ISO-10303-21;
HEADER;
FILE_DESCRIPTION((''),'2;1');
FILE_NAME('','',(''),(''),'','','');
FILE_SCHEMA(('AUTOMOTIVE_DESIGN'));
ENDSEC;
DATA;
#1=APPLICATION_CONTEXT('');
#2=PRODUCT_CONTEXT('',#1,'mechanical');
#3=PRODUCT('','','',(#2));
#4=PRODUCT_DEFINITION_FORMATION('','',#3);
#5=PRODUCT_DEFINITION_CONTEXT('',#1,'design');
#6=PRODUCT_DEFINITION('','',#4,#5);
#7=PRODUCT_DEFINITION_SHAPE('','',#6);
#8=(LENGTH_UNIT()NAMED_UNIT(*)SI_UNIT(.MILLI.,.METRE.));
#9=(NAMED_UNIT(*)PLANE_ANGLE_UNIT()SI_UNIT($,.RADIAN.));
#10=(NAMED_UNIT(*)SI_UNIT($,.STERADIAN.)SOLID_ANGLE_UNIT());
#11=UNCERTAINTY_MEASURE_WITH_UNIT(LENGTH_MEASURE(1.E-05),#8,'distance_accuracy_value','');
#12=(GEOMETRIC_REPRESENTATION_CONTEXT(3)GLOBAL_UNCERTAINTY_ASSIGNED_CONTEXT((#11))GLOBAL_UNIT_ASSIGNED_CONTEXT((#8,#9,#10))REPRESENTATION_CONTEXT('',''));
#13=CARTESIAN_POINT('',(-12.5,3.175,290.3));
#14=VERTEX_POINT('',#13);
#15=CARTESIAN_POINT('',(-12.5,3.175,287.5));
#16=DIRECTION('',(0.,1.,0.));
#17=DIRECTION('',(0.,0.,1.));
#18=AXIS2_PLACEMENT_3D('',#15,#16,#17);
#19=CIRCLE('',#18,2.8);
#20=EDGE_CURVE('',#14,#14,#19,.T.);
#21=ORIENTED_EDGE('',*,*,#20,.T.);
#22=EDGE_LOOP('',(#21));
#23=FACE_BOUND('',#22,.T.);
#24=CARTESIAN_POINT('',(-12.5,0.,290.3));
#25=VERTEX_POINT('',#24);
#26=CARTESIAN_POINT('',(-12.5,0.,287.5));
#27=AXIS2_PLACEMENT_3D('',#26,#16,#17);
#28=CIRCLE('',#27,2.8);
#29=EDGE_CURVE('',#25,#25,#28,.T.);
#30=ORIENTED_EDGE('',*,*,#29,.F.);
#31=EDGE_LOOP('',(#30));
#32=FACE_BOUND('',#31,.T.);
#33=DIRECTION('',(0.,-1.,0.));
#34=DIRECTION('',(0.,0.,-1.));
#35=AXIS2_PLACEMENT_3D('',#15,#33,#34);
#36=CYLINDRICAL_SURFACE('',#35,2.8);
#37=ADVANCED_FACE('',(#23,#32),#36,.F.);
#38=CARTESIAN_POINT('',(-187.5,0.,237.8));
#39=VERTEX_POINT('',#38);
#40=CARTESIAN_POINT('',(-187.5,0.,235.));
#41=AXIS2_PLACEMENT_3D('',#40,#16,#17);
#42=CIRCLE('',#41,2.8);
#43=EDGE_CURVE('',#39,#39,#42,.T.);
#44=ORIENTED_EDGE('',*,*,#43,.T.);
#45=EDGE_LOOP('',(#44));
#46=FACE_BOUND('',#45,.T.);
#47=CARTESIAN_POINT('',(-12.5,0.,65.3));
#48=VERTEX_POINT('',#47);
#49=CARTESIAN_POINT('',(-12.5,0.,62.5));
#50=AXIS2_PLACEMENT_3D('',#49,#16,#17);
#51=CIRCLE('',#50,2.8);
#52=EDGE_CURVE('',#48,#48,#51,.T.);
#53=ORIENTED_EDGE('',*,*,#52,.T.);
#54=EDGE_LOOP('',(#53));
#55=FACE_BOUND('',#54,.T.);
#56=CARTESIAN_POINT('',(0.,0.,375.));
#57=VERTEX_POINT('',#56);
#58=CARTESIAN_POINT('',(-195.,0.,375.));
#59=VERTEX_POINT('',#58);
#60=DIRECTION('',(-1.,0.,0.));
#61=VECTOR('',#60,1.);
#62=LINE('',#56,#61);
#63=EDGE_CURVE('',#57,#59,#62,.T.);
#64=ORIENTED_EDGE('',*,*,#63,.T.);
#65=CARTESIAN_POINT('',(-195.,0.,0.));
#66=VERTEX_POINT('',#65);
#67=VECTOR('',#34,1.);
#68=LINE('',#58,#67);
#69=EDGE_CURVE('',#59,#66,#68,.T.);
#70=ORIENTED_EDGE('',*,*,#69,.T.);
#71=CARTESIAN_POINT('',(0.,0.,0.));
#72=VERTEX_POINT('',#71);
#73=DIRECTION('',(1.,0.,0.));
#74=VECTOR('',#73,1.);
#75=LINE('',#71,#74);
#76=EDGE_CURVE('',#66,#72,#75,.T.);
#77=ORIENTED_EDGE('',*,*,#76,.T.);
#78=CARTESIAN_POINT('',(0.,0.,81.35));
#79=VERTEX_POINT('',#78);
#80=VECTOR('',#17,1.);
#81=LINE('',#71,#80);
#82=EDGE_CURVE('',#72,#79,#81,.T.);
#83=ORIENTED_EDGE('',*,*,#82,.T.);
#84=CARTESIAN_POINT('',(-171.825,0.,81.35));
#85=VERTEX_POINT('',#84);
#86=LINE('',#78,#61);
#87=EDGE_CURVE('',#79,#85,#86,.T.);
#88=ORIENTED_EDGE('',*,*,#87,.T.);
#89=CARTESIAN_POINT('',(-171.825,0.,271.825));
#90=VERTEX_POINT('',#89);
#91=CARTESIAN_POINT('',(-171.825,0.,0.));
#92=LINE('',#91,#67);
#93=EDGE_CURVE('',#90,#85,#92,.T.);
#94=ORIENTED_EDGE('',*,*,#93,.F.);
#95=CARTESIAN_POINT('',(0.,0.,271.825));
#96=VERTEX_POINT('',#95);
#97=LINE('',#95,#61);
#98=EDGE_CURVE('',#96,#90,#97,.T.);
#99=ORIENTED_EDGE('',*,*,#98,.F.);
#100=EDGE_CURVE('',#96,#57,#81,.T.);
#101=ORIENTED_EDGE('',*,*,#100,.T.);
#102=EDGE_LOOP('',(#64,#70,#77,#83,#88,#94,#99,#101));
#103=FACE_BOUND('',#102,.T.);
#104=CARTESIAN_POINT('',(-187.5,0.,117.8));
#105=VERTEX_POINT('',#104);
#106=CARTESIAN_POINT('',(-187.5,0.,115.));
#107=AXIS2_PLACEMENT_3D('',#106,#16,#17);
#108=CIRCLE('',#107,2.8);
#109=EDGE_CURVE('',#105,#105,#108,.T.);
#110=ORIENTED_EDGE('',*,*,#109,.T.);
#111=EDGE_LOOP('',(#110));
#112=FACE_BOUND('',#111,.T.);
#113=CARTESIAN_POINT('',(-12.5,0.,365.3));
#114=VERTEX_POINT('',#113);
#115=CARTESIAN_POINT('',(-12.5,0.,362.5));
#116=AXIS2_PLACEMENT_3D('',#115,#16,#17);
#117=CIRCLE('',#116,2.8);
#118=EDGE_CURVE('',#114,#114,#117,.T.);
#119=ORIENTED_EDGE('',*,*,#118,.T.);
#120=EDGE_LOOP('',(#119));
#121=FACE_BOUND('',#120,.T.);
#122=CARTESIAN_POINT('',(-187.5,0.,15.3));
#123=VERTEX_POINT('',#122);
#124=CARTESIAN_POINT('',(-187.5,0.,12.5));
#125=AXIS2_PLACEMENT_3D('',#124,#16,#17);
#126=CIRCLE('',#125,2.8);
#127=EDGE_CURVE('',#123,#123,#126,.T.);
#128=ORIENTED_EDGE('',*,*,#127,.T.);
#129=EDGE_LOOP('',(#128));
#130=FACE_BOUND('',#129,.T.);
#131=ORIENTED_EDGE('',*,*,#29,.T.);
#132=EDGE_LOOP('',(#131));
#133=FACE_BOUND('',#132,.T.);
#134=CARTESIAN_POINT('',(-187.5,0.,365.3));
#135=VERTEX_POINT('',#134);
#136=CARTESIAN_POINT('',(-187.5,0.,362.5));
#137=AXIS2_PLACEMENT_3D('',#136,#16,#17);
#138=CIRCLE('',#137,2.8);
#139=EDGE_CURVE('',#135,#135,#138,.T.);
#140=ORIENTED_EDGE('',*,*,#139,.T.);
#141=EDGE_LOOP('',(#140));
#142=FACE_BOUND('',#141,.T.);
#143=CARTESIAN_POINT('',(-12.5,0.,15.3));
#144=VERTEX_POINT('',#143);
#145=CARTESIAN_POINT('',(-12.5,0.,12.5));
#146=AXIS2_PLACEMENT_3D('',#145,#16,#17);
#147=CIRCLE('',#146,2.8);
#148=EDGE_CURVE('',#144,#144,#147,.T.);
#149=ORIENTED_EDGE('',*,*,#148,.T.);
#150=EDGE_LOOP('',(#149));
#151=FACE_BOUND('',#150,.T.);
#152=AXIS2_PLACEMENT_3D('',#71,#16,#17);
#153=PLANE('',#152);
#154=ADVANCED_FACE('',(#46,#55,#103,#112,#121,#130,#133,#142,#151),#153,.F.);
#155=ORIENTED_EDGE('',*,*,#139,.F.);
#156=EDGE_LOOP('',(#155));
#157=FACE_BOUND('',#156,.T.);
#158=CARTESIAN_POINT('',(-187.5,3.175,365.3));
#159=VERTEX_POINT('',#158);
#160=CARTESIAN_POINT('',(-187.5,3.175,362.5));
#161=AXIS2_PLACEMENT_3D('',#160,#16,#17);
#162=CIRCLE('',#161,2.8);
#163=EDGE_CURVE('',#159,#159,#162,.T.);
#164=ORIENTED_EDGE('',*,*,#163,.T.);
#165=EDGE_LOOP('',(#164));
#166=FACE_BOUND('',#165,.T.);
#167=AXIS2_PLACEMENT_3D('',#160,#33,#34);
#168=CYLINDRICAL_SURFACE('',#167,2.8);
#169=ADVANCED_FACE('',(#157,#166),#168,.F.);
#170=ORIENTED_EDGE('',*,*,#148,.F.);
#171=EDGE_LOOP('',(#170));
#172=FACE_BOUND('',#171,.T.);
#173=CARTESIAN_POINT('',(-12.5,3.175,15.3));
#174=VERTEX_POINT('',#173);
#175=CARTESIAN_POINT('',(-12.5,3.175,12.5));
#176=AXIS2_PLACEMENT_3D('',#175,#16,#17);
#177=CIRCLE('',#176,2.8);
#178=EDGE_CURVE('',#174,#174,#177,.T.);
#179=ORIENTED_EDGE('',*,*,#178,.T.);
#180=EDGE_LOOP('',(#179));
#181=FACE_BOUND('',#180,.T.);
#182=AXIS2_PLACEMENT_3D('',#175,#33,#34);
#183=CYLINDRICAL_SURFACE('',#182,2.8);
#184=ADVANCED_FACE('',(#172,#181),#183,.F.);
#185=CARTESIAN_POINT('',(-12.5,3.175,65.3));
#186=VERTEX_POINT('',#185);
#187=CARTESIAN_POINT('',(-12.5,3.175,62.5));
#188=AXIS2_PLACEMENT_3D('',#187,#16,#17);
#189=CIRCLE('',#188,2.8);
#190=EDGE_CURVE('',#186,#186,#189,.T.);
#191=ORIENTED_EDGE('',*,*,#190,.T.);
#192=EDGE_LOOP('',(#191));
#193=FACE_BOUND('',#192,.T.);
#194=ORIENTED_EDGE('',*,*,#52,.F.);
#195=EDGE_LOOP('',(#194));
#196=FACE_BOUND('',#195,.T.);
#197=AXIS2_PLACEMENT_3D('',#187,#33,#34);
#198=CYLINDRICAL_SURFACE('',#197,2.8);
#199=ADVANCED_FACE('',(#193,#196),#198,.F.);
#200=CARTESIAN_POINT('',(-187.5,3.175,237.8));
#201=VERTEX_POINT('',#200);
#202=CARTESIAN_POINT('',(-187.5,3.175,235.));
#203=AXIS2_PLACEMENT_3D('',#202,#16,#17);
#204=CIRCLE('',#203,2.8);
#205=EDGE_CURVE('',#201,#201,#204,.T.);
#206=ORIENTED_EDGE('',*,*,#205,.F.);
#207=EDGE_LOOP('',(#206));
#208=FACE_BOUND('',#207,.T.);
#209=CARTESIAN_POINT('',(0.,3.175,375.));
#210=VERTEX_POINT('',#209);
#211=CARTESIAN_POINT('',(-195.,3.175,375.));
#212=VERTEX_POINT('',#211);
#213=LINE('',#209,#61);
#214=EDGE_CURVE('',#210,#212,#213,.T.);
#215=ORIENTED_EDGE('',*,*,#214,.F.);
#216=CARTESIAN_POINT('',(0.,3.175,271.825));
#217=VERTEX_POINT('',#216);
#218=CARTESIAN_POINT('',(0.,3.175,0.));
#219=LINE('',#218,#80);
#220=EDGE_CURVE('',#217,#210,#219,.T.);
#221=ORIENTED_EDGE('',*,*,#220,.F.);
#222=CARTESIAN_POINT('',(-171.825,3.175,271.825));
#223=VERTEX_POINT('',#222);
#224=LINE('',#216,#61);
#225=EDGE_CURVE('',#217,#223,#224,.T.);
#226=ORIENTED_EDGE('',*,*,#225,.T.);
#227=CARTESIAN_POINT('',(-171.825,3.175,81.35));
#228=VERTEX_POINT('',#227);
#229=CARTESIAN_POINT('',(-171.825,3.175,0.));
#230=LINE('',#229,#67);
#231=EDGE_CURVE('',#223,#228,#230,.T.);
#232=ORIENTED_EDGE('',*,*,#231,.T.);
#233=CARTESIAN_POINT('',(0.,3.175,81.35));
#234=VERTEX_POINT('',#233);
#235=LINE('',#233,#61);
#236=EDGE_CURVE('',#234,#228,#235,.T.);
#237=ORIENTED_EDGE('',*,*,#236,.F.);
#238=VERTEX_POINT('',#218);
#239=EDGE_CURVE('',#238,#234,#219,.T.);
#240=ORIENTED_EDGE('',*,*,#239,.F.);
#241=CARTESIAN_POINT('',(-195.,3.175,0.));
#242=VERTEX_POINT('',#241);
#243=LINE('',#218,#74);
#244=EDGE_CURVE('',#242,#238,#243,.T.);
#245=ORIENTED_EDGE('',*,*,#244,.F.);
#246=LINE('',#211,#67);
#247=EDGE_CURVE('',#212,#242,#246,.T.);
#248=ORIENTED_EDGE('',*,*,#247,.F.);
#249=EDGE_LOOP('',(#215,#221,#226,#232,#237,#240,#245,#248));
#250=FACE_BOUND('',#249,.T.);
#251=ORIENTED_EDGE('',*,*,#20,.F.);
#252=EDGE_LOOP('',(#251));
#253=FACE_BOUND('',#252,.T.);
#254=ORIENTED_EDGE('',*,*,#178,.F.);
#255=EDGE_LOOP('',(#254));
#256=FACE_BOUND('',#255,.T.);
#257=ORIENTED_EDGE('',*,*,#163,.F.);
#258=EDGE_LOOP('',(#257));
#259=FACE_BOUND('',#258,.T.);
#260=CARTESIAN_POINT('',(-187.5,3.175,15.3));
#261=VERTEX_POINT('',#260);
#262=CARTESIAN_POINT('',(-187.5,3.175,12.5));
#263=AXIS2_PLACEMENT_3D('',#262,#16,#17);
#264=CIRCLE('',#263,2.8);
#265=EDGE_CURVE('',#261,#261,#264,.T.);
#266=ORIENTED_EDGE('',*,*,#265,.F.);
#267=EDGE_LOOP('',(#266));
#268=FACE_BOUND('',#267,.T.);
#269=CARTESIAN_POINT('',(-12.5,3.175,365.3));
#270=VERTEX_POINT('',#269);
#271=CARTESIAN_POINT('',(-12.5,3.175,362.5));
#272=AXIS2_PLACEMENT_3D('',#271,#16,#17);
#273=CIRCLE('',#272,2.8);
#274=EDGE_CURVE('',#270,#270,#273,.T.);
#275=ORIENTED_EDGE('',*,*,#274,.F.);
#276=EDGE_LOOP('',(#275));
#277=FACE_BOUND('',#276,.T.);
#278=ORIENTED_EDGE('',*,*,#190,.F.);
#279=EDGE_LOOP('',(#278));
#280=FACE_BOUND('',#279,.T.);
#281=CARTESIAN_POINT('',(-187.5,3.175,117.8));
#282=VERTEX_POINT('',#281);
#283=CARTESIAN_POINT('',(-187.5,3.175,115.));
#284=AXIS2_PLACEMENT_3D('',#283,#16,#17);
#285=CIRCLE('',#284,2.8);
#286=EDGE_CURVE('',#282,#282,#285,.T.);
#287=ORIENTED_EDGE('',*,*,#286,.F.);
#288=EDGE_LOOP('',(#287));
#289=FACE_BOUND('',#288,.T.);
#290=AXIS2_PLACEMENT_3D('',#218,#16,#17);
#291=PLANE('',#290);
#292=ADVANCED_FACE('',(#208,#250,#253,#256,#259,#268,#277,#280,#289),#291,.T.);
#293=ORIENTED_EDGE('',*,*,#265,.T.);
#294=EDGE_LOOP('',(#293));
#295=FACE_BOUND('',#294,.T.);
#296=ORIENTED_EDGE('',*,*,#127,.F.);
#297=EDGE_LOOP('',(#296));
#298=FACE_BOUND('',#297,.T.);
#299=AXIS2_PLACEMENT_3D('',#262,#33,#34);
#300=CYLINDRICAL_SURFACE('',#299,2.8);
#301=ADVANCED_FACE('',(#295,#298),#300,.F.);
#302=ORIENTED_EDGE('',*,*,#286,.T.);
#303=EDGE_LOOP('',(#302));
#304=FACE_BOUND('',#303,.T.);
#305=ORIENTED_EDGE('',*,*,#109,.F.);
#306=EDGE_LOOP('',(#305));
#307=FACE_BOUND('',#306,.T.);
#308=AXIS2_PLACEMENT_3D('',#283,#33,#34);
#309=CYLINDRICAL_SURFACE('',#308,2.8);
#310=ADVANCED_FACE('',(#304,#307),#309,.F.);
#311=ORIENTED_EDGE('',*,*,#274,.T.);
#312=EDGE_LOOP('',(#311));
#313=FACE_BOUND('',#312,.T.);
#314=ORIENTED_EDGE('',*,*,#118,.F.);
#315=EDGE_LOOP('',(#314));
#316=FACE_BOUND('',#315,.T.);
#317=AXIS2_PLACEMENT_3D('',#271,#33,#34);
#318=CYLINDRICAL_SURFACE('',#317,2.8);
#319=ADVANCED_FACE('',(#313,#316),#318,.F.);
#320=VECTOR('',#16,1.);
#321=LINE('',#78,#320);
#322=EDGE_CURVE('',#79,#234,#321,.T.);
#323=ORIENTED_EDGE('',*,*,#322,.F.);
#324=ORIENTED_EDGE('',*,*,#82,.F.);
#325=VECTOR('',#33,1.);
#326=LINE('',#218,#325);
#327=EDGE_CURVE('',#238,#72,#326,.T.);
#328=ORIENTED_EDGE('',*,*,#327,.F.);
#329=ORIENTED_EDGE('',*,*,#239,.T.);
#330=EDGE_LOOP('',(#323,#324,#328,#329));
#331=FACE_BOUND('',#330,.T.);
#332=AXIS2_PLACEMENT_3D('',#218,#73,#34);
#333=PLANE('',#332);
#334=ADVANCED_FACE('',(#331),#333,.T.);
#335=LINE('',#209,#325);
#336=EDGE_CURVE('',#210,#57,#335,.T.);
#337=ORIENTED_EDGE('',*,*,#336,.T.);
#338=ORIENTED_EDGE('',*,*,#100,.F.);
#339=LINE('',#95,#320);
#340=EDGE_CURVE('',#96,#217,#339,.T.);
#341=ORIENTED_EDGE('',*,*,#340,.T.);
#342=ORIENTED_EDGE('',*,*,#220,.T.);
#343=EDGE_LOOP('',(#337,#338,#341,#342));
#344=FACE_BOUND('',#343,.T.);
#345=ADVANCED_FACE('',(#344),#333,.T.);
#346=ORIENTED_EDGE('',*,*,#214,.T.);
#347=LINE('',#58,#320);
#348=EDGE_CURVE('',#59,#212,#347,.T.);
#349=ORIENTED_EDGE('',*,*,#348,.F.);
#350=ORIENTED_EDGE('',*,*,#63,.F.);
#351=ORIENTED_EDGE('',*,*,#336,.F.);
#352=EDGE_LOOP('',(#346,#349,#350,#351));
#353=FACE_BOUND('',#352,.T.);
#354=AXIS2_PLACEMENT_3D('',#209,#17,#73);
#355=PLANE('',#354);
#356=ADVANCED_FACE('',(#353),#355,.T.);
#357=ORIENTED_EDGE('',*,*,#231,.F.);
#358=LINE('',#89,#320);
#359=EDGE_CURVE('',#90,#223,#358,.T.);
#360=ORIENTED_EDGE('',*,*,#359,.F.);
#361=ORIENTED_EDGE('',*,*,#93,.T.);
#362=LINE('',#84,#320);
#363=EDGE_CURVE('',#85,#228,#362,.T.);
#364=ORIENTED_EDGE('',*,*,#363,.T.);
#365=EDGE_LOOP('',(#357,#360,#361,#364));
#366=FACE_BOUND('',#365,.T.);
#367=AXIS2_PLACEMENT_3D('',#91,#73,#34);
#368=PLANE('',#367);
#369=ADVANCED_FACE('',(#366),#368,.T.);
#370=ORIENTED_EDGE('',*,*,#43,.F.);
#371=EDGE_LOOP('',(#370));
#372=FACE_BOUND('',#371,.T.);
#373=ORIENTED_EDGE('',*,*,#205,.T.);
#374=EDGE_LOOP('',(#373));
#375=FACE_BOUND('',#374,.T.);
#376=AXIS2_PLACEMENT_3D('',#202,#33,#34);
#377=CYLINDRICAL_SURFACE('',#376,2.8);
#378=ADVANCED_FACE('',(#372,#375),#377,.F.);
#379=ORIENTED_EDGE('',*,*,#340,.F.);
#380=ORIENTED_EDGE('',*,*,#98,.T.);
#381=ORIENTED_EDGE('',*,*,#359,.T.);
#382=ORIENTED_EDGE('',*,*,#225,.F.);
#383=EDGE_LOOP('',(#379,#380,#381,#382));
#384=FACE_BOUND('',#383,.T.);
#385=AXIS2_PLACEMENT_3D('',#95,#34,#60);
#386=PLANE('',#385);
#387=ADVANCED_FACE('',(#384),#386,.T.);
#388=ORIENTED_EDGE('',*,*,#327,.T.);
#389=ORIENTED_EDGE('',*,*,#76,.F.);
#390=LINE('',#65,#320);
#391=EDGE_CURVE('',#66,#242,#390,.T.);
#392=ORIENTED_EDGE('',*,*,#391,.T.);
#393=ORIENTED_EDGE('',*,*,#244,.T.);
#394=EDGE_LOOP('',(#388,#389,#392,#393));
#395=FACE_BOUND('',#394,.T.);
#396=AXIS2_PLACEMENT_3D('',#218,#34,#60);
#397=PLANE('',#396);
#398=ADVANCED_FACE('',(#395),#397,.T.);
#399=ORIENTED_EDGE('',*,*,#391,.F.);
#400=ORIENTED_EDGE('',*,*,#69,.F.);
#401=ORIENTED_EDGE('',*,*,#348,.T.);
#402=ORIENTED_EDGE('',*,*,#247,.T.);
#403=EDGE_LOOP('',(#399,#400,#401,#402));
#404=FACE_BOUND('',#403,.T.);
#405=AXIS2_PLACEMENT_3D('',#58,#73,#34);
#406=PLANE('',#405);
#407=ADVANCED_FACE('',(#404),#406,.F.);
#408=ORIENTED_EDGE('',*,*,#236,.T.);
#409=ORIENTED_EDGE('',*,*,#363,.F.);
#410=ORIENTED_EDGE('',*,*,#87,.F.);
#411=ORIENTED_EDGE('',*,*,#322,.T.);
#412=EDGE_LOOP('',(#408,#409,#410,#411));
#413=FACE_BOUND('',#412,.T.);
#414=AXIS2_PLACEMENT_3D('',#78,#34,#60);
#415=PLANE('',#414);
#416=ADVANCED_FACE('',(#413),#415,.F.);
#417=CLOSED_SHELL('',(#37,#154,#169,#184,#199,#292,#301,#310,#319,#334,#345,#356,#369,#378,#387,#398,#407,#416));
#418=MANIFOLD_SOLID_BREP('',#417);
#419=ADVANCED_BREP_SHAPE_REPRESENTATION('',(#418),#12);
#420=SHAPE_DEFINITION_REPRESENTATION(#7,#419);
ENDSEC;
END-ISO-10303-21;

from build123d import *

# Parameters (mm, degrees)
SKETCH1_W           = 200
SKETCH1_H           = 100
SKETCH1_R           = 2.8
SKETCH1_W_2         = 175
SKETCH1_H_2         = 75
BOSS_EXTRUDE1_DEPTH = 3.175
SKETCH2_W           = 171.825
SKETCH2_H           = 6.35
BOSS_EXTRUDE2_DEPTH = 3.175
SKETCH3_W           = 5
SKETCH3_H           = 375
CUT_EXTRUDE1_DEPTH  = 426.011859393


with BuildPart() as part:
    # Sketch1 → Boss-Extrude1 (new body)
    # profile 1 of 3: a face of its own
    with BuildSketch(Plane(origin=(0, 0, 0), x_dir=(-1, 0, 0), z_dir=(0, 1, 0))):
        with Locations((100, 325)):
            Rectangle(SKETCH1_W, SKETCH1_H)
        with Locations(Location((187.5, 362.5, 0), (0, 0, 90))):
            Circle(SKETCH1_R, mode=Mode.SUBTRACT)
        with Locations(Location((12.5, 287.5, 0), (0, 0, 90))):
            Circle(SKETCH1_R, mode=Mode.SUBTRACT)
        with Locations(Location((12.5, 362.5, 0), (0, 0, 90))):
            Circle(SKETCH1_R, mode=Mode.SUBTRACT)
    # profile 2 of 3: a face of its own
    with BuildSketch(Plane(origin=(0, 0, 0), x_dir=(-1, 0, 0), z_dir=(0, 1, 0))):
        Polygon((200, 275), (175, 275), (175, 75), (175, 0), (200, 0), align=None)
        with Locations(Location((187.5, 12.5, 0), (0, 0, 90))):
            Circle(SKETCH1_R, mode=Mode.SUBTRACT)
        with Locations(Location((187.5, 115, 0), (0, 0, 90))):
            Circle(SKETCH1_R, mode=Mode.SUBTRACT)
        with Locations(Location((187.5, 235, 0), (0, 0, 90))):
            Circle(SKETCH1_R, mode=Mode.SUBTRACT)
    # profile 3 of 3: a face of its own
    with BuildSketch(Plane(origin=(0, 0, 0), x_dir=(-1, 0, 0), z_dir=(0, 1, 0))):
        with Locations((87.5, 37.5)):
            Rectangle(SKETCH1_W_2, SKETCH1_H_2)
        with Locations(Location((12.5, 12.5, 0), (0, 0, 90))):
            Circle(SKETCH1_R, mode=Mode.SUBTRACT)
        with Locations(Location((12.5, 62.5, 0), (0, 0, 90))):
            Circle(SKETCH1_R, mode=Mode.SUBTRACT)
    extrude(amount=BOSS_EXTRUDE1_DEPTH)

    # Sketch2 → Boss-Extrude2 (add, through all)
    with BuildSketch(Plane(origin=(0, 3.175, 0), x_dir=(-1, 0, 0), z_dir=(0, 1, 0))):
        Polygon((175, 275), (0, 275), (0, 271.825), (171.825, 271.825), (175, 271.825), align=None)
        Polygon((175, 75), (175, 271.825), (171.825, 271.825), (171.825, 81.35), (171.825, 75), align=None)
        with Locations((85.9125, 78.175)):
            Rectangle(SKETCH2_W, SKETCH2_H)
    extrude(amount=-BOSS_EXTRUDE2_DEPTH)

    # Sketch3 → Cut-Extrude1 (cut, through all)
    with BuildSketch(Plane(origin=(0, 3.175, 0), x_dir=(-1, 0, 0), z_dir=(0, 1, 0))):
        with Locations((197.5, 187.5)):
            Rectangle(SKETCH3_W, SKETCH3_H)
    extrude(amount=-CUT_EXTRUDE1_DEPTH, mode=Mode.SUBTRACT)


solid = part.part
